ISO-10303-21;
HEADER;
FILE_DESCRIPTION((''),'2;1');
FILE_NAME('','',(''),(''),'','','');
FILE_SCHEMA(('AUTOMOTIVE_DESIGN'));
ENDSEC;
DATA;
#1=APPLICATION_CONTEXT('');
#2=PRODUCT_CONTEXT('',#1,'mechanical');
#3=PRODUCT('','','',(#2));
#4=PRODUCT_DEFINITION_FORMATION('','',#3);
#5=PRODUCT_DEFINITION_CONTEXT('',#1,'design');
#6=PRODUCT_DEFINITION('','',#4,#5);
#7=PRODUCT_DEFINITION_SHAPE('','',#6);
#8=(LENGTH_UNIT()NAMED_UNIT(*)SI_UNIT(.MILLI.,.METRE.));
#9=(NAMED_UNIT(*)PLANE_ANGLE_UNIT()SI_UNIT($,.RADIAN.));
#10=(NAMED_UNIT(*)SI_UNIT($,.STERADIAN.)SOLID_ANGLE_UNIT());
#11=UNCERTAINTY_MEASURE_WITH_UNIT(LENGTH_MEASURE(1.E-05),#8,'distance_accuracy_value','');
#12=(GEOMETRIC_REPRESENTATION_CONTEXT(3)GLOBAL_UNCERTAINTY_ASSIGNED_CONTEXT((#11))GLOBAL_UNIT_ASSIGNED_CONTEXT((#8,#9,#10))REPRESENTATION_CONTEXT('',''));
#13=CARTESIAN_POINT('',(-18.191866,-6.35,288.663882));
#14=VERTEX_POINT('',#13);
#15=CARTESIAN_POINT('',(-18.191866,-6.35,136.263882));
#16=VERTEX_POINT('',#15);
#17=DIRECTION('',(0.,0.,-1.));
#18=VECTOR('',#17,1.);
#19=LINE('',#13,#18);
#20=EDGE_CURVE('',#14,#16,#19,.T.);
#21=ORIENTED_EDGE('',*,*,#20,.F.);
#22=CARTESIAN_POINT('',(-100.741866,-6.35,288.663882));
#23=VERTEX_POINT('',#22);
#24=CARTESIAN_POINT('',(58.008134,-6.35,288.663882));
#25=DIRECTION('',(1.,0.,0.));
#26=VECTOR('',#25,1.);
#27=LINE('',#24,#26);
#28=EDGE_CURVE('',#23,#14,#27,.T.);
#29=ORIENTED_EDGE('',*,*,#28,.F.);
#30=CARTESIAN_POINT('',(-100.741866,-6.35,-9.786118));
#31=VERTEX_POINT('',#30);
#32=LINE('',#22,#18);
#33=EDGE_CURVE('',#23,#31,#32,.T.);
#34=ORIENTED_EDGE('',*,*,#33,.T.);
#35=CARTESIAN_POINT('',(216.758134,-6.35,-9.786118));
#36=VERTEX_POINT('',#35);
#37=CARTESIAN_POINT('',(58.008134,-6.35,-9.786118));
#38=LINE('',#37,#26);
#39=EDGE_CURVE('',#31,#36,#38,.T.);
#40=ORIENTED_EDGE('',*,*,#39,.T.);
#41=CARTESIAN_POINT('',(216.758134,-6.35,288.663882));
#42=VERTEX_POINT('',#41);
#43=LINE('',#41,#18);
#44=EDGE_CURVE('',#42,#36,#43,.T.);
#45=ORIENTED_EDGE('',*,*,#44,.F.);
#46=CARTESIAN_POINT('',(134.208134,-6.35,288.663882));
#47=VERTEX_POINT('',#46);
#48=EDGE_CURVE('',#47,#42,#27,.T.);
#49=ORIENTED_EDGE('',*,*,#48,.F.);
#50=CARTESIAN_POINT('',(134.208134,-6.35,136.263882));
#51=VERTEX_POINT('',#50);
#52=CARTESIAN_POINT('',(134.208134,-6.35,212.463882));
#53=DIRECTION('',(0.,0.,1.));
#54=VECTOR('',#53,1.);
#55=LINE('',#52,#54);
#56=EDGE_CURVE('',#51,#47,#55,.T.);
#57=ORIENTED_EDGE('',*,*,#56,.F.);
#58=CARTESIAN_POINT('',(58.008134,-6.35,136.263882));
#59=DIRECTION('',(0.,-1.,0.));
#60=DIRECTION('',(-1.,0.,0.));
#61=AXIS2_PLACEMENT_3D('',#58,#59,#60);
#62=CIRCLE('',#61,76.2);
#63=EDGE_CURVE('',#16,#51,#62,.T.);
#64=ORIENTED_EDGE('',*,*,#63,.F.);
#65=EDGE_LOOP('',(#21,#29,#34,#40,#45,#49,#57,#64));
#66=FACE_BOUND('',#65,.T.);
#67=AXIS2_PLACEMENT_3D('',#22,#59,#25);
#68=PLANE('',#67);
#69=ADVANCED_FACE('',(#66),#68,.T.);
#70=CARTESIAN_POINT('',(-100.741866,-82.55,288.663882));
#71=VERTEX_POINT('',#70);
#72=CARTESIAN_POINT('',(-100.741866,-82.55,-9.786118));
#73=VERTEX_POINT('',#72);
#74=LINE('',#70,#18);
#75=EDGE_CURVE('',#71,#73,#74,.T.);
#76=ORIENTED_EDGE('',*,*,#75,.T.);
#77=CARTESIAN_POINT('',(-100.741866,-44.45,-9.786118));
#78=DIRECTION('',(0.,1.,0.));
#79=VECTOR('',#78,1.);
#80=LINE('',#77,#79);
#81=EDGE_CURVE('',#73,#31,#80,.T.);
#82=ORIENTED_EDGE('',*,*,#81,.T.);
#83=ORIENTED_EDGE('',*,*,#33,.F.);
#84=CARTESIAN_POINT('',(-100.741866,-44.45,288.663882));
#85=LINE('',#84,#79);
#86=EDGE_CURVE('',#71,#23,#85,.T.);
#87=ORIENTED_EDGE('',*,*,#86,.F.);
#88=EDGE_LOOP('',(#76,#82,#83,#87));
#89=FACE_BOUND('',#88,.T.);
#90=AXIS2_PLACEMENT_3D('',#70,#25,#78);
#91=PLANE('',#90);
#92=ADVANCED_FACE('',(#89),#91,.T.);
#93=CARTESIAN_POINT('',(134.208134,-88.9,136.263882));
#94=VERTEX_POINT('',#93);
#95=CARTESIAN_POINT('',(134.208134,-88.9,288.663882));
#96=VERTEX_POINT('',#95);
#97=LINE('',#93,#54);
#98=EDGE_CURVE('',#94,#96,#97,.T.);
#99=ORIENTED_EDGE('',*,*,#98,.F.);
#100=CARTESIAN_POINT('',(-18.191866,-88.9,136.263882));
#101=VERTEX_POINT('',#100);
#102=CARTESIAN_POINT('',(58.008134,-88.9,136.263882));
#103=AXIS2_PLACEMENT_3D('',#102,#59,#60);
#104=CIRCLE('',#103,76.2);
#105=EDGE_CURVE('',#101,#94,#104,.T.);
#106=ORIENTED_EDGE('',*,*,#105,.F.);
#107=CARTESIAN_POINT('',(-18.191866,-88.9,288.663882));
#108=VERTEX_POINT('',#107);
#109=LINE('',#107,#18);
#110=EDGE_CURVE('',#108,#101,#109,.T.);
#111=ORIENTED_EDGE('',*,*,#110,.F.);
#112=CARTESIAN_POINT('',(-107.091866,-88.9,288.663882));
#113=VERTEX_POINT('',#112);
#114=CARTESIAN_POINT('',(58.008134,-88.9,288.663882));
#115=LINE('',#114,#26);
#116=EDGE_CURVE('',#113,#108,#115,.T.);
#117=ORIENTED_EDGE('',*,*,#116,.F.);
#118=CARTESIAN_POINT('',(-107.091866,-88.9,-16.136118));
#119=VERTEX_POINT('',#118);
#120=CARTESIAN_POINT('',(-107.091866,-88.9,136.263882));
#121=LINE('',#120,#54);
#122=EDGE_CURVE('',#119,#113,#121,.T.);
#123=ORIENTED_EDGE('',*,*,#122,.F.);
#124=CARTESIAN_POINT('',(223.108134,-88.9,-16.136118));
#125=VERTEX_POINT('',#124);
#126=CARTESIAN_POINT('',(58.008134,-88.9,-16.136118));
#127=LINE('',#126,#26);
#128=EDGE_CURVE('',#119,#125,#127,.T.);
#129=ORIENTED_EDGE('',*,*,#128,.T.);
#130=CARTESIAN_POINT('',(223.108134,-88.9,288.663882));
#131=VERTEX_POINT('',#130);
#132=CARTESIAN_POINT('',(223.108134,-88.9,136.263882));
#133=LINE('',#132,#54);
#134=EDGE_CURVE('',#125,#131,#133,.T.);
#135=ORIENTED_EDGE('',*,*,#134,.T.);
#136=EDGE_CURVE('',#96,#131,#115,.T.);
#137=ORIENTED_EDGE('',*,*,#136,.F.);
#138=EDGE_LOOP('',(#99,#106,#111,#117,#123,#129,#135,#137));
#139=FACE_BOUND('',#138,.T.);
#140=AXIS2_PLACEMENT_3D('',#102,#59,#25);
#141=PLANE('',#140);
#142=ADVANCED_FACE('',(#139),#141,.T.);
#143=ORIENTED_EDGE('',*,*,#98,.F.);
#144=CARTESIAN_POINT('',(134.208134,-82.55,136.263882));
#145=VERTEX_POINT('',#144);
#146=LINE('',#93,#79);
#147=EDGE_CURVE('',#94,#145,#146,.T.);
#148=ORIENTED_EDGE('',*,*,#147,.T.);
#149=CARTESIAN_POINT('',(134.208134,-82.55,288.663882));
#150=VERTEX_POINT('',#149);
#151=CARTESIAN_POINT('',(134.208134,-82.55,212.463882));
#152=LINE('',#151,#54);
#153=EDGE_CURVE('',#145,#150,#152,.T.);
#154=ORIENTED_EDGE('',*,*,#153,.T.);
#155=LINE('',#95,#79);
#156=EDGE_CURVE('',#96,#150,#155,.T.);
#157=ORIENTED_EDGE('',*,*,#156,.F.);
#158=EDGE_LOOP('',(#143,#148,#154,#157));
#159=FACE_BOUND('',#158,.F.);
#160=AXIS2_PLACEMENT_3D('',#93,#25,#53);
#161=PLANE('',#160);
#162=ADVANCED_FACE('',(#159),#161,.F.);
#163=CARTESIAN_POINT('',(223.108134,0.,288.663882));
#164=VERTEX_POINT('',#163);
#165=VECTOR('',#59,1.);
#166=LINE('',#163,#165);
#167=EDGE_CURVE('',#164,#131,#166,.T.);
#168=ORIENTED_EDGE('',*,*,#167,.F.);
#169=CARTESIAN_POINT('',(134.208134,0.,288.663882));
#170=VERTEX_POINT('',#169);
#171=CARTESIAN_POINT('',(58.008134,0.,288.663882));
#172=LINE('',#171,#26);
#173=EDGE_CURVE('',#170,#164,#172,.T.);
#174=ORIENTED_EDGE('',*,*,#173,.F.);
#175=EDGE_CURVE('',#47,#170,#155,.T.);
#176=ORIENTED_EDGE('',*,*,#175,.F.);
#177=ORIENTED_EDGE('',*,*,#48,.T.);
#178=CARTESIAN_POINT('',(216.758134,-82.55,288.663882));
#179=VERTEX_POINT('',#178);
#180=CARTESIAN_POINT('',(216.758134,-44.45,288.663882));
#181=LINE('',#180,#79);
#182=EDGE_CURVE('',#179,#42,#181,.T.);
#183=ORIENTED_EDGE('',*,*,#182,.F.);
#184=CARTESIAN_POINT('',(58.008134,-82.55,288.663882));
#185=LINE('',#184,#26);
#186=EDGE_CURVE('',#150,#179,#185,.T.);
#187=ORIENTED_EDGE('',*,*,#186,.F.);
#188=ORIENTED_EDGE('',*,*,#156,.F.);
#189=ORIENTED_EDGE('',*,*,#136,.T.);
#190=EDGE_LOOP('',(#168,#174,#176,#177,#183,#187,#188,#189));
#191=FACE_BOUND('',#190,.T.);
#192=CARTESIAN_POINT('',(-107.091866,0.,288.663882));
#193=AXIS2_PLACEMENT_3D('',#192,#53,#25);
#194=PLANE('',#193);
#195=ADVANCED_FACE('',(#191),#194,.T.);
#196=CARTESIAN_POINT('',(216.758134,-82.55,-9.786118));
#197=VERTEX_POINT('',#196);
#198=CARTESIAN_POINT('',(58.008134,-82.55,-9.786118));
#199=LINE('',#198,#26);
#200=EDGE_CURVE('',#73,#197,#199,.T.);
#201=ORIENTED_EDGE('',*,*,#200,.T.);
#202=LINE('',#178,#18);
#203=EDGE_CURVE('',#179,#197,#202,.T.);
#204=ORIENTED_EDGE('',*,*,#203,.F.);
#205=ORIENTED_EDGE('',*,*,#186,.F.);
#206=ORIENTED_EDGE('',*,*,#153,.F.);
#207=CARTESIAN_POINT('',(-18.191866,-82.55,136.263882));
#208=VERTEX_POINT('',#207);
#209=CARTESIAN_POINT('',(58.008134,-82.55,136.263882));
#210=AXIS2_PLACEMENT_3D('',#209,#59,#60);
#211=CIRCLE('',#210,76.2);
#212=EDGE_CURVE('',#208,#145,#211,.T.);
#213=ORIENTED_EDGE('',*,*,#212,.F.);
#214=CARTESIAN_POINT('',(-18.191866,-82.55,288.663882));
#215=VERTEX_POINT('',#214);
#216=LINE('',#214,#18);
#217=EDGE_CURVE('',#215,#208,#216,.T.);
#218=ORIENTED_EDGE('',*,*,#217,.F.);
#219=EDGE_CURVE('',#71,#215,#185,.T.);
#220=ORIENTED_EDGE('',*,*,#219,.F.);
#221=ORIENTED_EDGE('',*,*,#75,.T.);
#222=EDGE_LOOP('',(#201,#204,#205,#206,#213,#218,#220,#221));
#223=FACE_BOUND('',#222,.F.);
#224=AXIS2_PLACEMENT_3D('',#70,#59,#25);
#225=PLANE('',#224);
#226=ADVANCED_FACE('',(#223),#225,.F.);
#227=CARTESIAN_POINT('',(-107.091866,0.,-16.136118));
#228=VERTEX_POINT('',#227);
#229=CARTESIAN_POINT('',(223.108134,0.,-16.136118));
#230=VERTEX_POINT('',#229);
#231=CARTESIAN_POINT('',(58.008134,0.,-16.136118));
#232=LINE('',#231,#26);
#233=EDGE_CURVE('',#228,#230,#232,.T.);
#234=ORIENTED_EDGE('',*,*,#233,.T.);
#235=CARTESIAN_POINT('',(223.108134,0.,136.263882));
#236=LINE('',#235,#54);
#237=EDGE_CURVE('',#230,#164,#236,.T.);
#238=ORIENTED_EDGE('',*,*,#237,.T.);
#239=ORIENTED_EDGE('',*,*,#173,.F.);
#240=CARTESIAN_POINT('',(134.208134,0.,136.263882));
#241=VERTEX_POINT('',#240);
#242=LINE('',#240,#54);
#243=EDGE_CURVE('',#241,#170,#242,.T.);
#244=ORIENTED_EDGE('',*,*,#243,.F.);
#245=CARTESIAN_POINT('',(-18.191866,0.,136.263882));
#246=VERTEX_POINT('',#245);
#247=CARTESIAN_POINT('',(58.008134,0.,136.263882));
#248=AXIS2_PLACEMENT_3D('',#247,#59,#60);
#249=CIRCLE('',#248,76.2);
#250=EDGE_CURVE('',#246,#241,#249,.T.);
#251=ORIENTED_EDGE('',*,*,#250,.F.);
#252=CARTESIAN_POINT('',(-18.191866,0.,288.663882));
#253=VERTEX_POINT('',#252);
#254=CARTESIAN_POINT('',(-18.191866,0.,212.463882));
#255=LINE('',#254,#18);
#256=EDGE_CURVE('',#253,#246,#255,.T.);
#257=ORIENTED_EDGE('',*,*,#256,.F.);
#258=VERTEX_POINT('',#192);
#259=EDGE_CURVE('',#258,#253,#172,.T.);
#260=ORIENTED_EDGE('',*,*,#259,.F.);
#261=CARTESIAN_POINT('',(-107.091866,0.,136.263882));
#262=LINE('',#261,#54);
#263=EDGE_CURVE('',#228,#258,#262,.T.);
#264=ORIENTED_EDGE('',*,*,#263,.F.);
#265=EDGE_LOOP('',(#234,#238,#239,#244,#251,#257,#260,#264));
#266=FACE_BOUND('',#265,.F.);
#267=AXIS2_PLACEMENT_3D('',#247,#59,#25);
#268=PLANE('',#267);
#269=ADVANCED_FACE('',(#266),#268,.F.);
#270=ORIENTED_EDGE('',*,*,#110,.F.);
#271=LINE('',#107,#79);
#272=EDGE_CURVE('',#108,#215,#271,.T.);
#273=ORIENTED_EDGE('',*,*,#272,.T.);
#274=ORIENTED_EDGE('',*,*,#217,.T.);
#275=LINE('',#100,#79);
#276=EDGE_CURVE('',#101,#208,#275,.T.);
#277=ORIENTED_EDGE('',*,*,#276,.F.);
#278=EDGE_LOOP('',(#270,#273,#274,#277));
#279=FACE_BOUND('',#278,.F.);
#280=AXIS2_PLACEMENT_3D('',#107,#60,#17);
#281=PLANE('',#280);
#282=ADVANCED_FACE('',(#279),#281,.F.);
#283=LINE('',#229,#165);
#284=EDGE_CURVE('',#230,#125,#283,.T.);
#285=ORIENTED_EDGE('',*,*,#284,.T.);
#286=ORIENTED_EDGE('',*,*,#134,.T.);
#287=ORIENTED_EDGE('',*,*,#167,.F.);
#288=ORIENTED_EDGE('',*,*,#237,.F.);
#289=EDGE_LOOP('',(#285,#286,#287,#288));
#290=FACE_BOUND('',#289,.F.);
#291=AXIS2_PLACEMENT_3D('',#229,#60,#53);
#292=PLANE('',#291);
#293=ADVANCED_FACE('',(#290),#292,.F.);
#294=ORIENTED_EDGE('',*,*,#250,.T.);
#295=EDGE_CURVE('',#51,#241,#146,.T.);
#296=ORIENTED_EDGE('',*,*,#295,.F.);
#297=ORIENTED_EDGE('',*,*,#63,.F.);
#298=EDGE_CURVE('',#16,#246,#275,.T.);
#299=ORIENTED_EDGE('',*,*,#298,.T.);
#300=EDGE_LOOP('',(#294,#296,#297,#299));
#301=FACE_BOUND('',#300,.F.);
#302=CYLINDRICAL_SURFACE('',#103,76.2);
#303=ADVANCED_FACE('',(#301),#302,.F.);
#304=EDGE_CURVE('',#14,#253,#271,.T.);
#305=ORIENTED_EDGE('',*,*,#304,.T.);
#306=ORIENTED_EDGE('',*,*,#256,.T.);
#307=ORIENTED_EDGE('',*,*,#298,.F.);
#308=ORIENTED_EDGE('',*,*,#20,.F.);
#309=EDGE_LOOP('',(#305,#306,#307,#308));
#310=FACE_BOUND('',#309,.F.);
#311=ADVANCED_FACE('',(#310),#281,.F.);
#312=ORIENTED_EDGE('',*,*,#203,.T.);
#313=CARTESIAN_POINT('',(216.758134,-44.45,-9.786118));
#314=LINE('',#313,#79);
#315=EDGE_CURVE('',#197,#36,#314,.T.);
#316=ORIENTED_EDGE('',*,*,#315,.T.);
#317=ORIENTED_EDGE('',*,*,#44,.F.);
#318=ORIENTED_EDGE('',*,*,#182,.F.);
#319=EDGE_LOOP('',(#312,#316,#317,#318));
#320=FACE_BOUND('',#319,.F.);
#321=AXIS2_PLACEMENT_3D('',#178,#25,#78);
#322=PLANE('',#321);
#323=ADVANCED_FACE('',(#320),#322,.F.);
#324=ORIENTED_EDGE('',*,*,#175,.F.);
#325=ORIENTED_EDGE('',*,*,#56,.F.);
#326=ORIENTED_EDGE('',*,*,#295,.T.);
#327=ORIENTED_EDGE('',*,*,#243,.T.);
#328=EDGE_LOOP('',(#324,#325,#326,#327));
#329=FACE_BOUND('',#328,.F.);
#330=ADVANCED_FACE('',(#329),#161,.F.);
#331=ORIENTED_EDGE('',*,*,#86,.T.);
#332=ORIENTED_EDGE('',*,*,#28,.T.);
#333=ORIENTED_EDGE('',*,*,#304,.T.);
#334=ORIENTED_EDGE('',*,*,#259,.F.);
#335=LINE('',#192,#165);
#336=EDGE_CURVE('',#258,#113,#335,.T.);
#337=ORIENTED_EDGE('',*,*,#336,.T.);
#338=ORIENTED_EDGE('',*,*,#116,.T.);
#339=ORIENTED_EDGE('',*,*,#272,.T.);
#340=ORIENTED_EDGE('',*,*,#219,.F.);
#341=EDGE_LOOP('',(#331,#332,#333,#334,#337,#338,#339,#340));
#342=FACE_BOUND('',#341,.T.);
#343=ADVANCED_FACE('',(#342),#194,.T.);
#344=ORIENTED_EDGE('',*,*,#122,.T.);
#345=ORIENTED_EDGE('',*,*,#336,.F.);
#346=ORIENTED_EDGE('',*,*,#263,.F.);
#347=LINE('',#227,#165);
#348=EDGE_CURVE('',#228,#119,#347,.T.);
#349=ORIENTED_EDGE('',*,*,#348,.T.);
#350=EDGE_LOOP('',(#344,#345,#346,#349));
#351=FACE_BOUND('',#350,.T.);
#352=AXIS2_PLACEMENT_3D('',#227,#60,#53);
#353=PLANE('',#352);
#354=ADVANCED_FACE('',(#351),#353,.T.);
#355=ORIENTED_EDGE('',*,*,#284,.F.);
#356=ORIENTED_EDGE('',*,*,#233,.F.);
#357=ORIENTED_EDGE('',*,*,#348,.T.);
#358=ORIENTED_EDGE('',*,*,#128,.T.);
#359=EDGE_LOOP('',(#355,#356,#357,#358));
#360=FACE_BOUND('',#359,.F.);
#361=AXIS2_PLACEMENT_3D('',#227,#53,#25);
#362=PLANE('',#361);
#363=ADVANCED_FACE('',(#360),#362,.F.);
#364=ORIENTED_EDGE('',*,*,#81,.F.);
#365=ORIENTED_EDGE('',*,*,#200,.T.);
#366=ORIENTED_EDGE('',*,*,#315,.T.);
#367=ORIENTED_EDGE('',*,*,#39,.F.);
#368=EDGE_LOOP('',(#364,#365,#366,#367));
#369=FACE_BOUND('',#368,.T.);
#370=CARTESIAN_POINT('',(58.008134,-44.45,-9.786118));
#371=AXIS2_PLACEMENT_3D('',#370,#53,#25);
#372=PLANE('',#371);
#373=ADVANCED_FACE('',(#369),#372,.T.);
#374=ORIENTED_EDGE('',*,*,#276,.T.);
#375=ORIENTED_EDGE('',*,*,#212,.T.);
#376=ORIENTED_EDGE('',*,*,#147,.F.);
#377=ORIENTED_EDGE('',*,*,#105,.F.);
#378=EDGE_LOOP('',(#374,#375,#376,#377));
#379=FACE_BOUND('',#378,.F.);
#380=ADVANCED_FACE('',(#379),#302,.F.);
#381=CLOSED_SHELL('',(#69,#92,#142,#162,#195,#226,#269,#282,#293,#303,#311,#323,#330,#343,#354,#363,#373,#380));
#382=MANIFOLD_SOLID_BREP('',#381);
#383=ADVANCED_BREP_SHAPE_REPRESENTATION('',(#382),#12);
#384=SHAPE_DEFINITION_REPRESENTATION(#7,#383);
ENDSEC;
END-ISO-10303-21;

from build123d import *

# Parameters (mm, degrees)
F0_W     = 330.2
F0_H     = 304.8
F1_DEPTH = 88.9
F2_W     = 317.5
F2_H     = 76.2
F3_DEPTH = 298.45
F5_DEPTH = 127


with BuildPart() as f1:
    # F0 (on Front) → F1 (new body)
    with BuildSketch(Plane.XZ):
        with Locations((58.008134, 136.263882)):
            Rectangle(F0_W, F0_H)
    extrude(amount=F1_DEPTH)

    # F2 (on face) → F3 (cut)
    with BuildSketch(Plane.XY.offset(288.663882)):
        with Locations((58.008134, -44.45)):
            Rectangle(F2_W, F2_H)
    extrude(amount=-F3_DEPTH, mode=Mode.SUBTRACT)

    # F4 (on face) → F5 (cut)
    with BuildSketch(Plane.XZ.offset(88.9)):
        with BuildLine():
            Line((-18.191866, 288.663882), (-18.191866, 136.263882))
            ThreePointArc((-18.191866, 136.263882), (58.008134, 60.063882), (134.208134, 136.263882))
            Line((134.208134, 136.263882), (134.208134, 288.663882))
            Line((134.208134, 288.663882), (-18.191866, 288.663882))
        make_face()
    extrude(amount=-F5_DEPTH, mode=Mode.SUBTRACT)


solid = f1.part
